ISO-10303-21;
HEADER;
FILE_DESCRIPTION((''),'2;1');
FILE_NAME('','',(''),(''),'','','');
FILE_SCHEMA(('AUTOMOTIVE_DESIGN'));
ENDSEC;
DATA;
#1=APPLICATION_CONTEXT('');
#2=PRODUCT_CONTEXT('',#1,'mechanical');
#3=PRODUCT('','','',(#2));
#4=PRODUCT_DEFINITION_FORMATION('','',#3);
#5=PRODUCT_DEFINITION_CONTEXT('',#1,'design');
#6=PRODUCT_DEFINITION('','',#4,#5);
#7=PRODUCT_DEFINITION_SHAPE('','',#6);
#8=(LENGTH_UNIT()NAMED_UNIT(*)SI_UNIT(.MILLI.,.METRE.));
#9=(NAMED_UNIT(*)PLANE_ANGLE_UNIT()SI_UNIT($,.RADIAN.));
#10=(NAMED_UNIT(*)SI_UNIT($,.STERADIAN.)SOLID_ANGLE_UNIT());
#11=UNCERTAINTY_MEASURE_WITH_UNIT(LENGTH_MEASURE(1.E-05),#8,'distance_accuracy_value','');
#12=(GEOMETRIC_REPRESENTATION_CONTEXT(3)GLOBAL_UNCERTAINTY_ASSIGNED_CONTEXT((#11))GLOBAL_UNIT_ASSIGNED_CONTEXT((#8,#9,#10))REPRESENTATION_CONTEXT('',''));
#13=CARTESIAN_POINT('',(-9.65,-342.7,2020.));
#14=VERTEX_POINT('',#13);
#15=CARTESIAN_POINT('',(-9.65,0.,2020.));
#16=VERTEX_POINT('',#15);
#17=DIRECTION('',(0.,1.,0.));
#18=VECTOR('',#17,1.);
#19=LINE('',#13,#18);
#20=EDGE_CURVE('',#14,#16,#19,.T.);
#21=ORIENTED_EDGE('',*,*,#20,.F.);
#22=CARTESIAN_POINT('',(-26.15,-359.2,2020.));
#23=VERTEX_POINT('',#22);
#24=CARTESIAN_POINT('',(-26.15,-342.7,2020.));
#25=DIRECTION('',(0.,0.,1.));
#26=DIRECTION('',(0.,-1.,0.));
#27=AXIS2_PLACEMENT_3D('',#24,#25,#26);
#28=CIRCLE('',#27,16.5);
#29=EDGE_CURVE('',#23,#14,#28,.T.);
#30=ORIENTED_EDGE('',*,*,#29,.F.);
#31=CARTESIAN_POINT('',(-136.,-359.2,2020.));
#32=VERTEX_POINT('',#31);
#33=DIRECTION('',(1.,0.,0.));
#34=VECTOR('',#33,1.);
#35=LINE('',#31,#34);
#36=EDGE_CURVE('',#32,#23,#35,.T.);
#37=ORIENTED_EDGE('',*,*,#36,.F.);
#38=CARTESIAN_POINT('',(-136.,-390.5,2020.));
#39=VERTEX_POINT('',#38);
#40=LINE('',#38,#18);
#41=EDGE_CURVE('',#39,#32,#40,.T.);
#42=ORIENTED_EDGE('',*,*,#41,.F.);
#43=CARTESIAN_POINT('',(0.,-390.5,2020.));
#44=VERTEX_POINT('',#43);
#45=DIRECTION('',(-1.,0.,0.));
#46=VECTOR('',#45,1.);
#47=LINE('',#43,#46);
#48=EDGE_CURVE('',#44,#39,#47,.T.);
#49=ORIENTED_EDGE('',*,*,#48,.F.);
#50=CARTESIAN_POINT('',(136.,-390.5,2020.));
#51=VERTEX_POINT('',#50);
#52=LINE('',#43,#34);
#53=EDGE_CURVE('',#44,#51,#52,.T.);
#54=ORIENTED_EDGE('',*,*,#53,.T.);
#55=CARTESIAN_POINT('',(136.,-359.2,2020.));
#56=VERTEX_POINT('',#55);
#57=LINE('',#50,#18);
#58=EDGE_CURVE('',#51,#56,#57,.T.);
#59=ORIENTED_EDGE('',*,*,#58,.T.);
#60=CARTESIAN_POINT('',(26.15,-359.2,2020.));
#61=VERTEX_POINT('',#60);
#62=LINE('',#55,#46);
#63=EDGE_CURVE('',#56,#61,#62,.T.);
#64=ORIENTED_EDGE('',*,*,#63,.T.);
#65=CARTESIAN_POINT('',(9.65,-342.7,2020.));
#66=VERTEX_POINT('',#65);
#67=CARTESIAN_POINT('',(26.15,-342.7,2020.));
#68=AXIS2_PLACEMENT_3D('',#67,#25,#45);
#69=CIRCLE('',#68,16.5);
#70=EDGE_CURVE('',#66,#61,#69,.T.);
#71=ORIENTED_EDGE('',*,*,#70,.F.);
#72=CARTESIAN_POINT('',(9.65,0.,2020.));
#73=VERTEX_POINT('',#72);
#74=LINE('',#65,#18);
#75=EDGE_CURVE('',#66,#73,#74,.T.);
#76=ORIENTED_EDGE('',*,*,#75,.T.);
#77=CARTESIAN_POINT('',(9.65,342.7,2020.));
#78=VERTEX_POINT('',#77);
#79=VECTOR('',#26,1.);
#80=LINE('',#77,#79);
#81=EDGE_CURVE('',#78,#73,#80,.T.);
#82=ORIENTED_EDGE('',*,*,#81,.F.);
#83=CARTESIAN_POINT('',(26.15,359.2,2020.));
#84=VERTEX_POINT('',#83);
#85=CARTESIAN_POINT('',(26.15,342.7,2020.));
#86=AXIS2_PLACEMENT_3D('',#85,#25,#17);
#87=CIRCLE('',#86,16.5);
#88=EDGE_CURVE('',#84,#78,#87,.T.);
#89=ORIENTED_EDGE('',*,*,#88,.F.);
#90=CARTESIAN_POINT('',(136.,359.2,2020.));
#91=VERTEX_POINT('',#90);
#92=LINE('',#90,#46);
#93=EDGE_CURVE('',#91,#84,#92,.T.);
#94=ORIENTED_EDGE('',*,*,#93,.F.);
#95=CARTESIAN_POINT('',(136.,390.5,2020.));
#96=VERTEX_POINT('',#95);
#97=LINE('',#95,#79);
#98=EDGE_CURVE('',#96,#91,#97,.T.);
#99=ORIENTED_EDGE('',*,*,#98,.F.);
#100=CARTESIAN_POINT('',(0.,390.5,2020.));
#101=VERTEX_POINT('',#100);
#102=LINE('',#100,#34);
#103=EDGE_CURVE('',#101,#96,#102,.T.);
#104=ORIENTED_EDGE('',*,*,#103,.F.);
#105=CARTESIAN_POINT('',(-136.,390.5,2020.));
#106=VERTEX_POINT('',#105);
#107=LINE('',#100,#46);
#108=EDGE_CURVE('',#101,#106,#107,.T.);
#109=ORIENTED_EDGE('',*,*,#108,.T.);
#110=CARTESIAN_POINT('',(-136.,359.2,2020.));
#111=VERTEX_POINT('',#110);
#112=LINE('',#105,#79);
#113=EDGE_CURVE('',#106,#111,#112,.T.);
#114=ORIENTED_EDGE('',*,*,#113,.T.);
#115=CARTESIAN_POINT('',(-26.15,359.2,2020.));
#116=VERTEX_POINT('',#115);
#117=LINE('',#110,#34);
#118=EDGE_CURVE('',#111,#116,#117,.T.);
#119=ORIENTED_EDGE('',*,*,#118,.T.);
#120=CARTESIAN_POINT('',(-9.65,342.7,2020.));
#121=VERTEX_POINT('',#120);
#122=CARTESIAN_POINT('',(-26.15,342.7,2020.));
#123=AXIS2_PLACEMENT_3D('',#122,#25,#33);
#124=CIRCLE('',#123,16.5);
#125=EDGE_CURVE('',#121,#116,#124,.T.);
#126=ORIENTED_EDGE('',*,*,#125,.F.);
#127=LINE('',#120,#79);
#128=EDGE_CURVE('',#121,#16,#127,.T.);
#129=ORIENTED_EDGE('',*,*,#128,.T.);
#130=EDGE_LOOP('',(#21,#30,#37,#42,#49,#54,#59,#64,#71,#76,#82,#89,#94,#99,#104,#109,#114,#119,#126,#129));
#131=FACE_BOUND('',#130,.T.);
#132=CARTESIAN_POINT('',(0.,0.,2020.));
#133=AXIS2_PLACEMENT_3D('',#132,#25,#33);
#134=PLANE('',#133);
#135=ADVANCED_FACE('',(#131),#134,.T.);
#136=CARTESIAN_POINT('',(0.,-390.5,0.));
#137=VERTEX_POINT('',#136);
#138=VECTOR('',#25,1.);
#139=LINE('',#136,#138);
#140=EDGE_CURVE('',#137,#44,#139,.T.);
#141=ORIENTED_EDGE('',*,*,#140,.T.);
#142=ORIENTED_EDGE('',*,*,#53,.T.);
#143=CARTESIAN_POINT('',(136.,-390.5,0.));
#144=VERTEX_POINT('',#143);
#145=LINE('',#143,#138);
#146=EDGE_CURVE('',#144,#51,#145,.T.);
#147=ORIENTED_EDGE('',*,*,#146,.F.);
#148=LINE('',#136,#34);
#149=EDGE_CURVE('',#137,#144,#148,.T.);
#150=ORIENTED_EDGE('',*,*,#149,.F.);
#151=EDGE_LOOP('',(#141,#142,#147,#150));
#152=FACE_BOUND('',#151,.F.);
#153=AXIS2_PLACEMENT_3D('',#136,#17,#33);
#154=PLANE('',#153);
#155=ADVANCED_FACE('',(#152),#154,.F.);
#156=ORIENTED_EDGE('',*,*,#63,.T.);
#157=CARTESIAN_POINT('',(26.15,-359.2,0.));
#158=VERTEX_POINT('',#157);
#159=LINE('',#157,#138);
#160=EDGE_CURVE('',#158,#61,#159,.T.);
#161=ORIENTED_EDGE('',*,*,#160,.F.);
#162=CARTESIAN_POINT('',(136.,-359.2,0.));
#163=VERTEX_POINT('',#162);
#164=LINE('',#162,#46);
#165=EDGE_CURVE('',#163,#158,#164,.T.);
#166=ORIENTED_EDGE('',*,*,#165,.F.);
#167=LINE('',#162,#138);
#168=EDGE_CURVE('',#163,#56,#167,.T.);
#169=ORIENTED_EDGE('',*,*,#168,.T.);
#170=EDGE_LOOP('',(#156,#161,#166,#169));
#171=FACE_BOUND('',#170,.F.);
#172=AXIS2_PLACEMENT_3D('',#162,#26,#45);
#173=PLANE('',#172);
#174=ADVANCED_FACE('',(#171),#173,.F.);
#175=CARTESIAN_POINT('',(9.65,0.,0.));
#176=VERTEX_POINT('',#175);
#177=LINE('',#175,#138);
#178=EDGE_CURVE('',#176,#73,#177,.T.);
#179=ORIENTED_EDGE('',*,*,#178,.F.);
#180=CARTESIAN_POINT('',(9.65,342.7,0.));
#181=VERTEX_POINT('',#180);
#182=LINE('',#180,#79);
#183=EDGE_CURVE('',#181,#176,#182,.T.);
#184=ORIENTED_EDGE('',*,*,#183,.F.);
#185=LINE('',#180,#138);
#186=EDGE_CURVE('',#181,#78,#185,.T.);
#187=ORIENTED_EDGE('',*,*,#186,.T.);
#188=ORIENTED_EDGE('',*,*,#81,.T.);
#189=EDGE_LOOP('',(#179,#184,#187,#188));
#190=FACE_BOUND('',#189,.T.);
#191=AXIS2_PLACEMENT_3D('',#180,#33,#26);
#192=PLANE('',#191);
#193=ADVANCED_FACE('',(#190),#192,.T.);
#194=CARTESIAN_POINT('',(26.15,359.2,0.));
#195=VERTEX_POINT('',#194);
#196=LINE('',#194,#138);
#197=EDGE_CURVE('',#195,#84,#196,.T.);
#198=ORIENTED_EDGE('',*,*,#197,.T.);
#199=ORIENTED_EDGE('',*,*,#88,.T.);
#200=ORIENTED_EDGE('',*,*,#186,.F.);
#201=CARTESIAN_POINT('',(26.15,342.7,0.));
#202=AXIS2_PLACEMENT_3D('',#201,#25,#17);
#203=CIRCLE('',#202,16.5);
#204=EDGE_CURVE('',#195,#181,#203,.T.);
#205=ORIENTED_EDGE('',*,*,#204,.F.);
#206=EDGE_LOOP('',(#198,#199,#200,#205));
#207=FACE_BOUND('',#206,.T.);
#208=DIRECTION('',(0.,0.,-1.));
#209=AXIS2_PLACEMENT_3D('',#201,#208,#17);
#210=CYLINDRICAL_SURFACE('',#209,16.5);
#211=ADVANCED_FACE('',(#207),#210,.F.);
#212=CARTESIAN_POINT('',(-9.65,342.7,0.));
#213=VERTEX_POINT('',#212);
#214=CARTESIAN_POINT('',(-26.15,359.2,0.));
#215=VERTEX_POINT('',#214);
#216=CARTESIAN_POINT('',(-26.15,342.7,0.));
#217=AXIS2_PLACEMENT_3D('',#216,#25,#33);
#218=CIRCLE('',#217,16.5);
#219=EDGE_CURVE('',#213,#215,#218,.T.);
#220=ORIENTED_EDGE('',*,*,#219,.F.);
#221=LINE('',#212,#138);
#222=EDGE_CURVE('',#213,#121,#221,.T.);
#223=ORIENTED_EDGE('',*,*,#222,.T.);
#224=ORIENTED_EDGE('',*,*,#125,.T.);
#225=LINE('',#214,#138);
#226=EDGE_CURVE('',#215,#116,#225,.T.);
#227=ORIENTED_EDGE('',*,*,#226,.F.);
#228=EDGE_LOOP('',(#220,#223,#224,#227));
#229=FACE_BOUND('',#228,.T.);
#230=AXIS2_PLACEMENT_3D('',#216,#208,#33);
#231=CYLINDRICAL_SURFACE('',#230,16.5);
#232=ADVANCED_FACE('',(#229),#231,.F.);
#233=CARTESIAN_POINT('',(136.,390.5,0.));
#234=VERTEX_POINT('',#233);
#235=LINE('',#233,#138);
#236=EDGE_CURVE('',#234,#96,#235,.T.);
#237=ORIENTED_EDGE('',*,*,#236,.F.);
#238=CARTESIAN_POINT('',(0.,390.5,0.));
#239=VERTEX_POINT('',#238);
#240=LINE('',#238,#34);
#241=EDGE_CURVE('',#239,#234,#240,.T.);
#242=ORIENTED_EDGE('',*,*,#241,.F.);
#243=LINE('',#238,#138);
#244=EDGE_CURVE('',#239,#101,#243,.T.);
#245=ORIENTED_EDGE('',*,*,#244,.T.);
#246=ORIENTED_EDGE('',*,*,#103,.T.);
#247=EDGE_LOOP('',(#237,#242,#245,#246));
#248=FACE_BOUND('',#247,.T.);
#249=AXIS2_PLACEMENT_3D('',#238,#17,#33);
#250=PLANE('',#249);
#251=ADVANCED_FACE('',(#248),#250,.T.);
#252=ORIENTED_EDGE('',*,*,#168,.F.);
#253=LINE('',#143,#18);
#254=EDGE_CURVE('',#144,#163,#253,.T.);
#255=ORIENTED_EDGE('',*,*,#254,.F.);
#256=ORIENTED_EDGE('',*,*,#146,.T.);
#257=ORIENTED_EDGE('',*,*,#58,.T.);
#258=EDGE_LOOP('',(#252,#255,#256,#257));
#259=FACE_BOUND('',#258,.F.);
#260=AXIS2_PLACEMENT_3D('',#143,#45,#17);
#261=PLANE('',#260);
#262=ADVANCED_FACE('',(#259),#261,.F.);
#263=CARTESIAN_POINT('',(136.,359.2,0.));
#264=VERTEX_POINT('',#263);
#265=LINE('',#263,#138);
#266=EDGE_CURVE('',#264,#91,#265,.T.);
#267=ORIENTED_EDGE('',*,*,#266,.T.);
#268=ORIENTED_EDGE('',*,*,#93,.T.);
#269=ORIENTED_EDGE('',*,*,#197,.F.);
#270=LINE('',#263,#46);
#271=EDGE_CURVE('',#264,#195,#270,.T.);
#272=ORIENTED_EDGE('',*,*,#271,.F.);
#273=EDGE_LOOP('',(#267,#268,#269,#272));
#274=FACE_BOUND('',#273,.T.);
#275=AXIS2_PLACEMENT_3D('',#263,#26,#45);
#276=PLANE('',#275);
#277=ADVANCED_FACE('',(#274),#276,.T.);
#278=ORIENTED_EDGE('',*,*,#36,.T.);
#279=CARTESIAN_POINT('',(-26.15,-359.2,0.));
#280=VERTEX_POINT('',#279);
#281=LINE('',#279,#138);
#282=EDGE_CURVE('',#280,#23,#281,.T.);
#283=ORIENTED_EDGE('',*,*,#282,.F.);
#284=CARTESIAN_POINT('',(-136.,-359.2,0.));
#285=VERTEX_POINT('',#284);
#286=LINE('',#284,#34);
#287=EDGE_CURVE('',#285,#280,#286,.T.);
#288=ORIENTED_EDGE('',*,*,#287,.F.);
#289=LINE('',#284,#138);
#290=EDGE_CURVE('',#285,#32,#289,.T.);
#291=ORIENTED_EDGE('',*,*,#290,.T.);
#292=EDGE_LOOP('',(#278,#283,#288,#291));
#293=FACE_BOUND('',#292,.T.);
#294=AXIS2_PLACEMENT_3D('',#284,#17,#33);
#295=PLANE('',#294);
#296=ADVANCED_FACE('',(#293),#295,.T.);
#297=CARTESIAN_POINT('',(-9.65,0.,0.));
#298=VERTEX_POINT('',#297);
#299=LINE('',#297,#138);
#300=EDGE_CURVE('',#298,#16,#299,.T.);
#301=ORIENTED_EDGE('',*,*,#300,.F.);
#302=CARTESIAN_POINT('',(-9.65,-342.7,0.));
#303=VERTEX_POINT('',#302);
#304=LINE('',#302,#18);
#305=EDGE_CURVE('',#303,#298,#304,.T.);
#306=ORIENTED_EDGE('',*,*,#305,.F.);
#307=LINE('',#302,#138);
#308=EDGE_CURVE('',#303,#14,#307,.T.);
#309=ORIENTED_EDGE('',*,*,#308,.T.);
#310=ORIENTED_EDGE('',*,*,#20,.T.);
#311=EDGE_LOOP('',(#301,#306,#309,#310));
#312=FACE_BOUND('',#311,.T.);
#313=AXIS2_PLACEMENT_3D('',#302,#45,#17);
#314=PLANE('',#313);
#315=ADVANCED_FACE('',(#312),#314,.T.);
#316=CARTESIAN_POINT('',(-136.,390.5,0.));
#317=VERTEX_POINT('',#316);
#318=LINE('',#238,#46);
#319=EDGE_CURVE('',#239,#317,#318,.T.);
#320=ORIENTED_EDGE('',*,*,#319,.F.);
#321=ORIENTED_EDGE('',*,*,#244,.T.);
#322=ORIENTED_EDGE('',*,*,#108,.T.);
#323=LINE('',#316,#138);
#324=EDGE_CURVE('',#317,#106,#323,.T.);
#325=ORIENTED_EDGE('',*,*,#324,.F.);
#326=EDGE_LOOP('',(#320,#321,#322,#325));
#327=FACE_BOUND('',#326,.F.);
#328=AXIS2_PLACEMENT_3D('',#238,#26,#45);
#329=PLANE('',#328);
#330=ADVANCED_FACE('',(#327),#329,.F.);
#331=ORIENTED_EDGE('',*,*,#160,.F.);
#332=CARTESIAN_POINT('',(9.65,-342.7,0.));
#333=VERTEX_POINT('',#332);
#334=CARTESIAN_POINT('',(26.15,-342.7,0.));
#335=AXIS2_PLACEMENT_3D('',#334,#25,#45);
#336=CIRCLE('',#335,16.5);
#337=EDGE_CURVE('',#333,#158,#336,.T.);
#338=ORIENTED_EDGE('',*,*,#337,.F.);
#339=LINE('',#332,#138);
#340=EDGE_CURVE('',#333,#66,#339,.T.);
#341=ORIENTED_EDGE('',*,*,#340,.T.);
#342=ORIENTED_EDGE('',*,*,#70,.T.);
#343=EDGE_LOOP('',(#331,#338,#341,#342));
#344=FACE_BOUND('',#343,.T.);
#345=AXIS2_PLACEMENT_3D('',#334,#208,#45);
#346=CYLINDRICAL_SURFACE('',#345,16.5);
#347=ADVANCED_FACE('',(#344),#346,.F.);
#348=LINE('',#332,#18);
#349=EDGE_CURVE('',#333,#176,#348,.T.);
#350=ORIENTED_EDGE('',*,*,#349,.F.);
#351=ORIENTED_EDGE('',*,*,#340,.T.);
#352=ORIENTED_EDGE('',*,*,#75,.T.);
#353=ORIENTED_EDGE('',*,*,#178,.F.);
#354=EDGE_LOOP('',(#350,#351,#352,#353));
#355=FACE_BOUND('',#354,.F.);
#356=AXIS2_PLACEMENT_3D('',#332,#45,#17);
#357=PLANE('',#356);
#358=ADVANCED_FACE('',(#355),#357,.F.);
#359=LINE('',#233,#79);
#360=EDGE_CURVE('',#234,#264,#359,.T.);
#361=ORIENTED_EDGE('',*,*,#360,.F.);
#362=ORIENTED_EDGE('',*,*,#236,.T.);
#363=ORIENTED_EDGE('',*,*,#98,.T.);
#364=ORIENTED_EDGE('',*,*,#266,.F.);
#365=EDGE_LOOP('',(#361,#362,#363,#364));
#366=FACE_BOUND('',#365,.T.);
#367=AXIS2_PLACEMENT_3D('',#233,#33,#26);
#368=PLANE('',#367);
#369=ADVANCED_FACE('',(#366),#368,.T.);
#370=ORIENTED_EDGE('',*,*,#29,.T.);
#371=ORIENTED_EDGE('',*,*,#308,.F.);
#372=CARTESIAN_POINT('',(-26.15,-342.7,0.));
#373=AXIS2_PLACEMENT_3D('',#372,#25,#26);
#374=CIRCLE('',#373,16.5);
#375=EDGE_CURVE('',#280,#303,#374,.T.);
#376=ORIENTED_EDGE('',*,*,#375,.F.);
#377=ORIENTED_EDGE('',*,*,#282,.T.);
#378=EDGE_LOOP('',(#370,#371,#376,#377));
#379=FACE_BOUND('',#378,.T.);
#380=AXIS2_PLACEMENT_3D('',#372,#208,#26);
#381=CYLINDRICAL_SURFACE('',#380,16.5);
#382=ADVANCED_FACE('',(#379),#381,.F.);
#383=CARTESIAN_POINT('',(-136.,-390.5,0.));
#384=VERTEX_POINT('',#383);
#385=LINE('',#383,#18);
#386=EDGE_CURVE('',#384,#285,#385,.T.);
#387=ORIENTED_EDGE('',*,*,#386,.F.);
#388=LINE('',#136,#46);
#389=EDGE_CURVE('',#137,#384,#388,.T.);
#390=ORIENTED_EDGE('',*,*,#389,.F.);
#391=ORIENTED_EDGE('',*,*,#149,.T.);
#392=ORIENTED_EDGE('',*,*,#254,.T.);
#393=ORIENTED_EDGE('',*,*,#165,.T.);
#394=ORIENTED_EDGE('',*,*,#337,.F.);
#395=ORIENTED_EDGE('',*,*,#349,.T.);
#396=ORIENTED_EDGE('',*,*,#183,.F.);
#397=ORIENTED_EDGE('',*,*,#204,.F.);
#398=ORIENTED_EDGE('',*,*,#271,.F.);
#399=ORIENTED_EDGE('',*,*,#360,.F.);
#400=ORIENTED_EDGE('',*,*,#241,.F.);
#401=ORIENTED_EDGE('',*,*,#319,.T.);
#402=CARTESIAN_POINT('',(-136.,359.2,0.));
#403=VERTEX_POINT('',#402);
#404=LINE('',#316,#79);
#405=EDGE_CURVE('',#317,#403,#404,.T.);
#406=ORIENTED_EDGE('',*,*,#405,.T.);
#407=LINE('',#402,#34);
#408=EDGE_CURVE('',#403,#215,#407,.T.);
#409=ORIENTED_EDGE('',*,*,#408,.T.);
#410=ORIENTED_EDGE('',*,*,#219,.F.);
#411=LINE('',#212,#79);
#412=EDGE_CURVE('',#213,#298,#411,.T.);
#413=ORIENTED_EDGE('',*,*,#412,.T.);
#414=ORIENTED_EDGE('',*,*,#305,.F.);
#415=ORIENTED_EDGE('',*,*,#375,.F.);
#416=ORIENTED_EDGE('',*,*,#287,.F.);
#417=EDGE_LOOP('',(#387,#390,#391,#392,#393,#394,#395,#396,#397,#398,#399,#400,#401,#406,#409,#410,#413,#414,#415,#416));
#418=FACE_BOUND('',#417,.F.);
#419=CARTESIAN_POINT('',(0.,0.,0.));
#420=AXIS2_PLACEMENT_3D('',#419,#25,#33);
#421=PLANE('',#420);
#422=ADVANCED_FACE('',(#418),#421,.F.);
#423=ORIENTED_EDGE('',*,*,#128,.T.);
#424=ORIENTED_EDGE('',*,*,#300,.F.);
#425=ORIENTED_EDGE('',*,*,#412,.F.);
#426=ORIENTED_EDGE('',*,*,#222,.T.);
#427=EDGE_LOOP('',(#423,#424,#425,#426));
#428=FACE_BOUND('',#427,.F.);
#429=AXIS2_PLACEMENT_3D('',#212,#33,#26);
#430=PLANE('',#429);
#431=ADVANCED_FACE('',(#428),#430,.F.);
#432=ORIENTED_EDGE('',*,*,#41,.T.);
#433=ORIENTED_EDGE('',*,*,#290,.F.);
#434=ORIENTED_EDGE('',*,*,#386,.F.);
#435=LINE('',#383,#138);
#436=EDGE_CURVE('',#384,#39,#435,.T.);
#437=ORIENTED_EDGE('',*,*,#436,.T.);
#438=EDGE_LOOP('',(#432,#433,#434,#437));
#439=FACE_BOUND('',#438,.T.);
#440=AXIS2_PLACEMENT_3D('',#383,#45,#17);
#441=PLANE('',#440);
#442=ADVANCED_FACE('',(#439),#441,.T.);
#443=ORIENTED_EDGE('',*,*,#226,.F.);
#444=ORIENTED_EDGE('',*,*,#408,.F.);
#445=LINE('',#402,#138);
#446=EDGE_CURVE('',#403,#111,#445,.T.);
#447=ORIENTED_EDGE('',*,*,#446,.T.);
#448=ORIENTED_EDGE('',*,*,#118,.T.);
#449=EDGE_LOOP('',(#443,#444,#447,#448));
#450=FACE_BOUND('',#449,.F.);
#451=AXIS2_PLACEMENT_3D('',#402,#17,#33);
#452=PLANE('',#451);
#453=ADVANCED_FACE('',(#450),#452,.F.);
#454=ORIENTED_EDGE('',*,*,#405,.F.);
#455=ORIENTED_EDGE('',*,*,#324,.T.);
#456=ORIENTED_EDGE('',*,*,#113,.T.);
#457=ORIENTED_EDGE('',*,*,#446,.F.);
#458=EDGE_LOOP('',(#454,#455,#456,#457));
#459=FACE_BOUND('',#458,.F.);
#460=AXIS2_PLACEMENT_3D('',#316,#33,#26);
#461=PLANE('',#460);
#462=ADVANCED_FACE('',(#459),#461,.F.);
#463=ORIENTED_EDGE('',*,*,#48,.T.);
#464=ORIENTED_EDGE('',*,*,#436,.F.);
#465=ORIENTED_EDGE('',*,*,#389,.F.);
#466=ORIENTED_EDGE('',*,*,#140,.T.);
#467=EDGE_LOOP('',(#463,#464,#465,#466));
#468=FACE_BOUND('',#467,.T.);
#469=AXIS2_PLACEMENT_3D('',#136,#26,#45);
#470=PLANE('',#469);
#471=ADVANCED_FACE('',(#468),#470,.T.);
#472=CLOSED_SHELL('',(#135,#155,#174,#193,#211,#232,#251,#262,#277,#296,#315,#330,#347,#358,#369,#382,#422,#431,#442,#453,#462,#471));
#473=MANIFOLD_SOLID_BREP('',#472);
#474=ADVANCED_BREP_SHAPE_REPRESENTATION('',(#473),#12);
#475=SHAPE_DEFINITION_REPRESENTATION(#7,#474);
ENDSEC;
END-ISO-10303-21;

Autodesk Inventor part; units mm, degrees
ref_plane "YZ Plane" through (0, 0, 0) normal (1, 0, 0) x (0, 1, 0)
ref_plane "Start plane" through (0, 0, 0) normal (0, 0, 1) x (1, 0, 0)
ref_plane "End plane" through (0, 0, 2020) normal (0, 0, 1) x (1, 0, 0)
sketch "Sketch" plane through (0, 0, 0) normal (0, 0, 1) x (1, 0, 0)
  line L0 (-136, -390.5) -> (-136, -359.2)
  line L1 (-136, -359.2) -> (-26.15, -359.2)
  line L2 (-9.65, -342.7) -> (-9.65, 0)
  line L3 (-9.65, 0) -> (0, 0) construction
  line L4 (0, 0) -> (0, -390.5) construction
  line L5 (0, -390.5) -> (-136, -390.5)
  line L6 (-60, 0) -> (80, 0) construction
  line L7 (0, -60) -> (0, 80) construction
  line L8 (136, -390.5) -> (136, -359.2)
  line L9 (136, -359.2) -> (26.15, -359.2)
  line L10 (9.65, -342.7) -> (9.65, 0)
  line L11 (9.65, 0) -> (0, 0) construction
  line L12 (0, -390.5) -> (136, -390.5)
  line L13 (-136, 390.5) -> (-136, 359.2)
  line L14 (-136, 359.2) -> (-26.15, 359.2)
  line L15 (-9.65, 342.7) -> (-9.65, 0)
  line L16 (0, 390.5) -> (-136, 390.5)
  line L17 (136, 390.5) -> (136, 359.2)
  line L18 (136, 359.2) -> (26.15, 359.2)
  line L19 (0, 390.5) -> (136, 390.5)
  line L20 (9.65, 342.7) -> (9.65, 0)
  arc A0 (-9.65, 342.7) -> (-26.15, 359.2) centre (-26.15, 342.7) ccw
  arc A1 (26.15, 359.2) -> (9.65, 342.7) centre (26.15, 342.7) ccw
  arc A2 (9.65, -342.7) -> (26.15, -359.2) centre (26.15, -342.7) ccw
  arc A3 (-26.15, -359.2) -> (-9.65, -342.7) centre (-26.15, -342.7) ccw
  line L21 (0, 108) -> (0, -88) construction
  line L22 (-88, 0) -> (108, 0) construction
  point P0 (-9.65, -359.2)
  point P1 (9.65, -359.2)
  point P2 (-9.65, 359.2)
  point P3 (9.65, 359.2)
  dimension "d1" = 390.5
  dimension "d2" = 31.3
  dimension "d3" = 136
  dimension "d4" = 9.65
  dimension "d10" = 16.5
extrude "Body" add sketch "Sketch" along normal up to surface (2020 mm away) from surface at 0
sketch "Sketch4" plane through (0, 0, 0) normal (0, 0, 1) x (1, 0, 0)
  line L0 (0, 0) -> (10, 0)
ref_plane "Work Plane3" through (0, 0, 0) normal (0, -1, 0) x (1, 0, 0)
sketch "Sketch5" plane through (0, 0, 0) normal (0, -1, 0) x (1, 0, 0)
  line L0 (-2, 0) -> (12, 0) projected
  line L1 (-2, 2020) -> (12, 2020) projected
  dimension "d14" = 2020
equation "\"d1\" = 0.5 * G_H"
equation "\"d2\" = G_T1"
equation "\"d3\" = 0.5 * G_W"
equation "\"d4\" = 0.5 * G_T"
equation "\"d10\" = G_IR"
equation "\"d5\" = G_L"
equation "\"G_W\" = 272"
equation "\"G_H\" = 781"
equation "\"G_T\" = 19.3"
equation "\"G_T1\" = 31.3"
equation "\"G_IR\" = 16.5"
equation "\"G_L\" = d14"
equation "\"G_OFFSET_START\" = 0"
equation "\"G_OFFSET_END\" = 0"
properties part number "AS 3679-1990 - 760 UB - 244 - 2020" material "Steel, Mild"
